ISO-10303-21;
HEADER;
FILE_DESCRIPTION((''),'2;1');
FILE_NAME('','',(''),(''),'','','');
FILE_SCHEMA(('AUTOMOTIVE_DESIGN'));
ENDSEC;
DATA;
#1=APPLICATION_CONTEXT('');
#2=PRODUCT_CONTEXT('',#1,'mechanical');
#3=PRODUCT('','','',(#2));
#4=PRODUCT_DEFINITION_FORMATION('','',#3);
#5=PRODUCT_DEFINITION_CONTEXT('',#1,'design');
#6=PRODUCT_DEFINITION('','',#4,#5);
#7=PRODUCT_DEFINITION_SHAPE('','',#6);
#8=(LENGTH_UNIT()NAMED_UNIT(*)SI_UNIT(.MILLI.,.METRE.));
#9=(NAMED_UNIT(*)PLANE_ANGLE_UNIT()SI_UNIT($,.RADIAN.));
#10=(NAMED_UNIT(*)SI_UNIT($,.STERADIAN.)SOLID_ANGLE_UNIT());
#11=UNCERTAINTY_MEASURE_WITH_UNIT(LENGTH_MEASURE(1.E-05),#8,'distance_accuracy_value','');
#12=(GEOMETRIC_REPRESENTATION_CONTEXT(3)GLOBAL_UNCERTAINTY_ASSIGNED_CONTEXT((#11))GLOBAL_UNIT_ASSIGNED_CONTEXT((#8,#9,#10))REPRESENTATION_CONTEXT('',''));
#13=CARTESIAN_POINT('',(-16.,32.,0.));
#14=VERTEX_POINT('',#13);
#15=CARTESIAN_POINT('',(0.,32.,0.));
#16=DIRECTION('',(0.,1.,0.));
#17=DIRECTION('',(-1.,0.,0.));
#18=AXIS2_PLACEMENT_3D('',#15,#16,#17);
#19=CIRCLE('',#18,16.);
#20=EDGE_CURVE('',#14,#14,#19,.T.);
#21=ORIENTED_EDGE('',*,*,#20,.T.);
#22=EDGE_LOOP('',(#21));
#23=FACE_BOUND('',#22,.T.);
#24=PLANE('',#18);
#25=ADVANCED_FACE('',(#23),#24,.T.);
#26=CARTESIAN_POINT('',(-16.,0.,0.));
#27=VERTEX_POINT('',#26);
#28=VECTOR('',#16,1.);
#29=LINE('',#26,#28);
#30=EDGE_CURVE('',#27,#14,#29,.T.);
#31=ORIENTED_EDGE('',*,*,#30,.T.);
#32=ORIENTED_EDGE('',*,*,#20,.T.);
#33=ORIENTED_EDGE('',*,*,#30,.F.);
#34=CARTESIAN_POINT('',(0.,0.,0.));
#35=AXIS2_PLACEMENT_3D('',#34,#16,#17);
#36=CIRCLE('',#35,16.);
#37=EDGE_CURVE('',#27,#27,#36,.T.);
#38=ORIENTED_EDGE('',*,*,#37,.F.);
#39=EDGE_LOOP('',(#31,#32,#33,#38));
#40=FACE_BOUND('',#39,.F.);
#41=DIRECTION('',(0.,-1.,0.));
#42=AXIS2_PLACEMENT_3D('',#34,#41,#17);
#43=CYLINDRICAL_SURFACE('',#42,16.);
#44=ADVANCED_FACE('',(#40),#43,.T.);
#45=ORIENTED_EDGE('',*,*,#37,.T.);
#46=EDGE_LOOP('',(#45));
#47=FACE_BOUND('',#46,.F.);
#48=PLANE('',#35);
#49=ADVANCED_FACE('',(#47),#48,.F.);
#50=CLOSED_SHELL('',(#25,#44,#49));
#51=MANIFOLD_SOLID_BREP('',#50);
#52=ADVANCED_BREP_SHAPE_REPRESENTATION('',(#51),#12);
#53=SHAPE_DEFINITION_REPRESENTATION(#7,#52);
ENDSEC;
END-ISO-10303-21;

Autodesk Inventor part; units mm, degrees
ref_plane "YZ Plane" through (0, 0, 0) normal (1, 0, 0) x (0, 1, 0)
ref_plane "XZ Plane" through (0, 0, 0) normal (0, 1, 0) x (-1, 0, 0)
ref_plane "XY Plane" through (0, 0, 0) normal (0, 0, 1) x (1, 0, 0)
sketch "Sketch1" plane through (0, 0, 0) normal (0, 1, 0) x (-1, 0, 0)
  circle A0 centre (0, 0) radius 16
  dimension "d0" = 32
extrude "Extrusion1" add sketch "Sketch1" along normal blind 32
properties part number "Circle"
